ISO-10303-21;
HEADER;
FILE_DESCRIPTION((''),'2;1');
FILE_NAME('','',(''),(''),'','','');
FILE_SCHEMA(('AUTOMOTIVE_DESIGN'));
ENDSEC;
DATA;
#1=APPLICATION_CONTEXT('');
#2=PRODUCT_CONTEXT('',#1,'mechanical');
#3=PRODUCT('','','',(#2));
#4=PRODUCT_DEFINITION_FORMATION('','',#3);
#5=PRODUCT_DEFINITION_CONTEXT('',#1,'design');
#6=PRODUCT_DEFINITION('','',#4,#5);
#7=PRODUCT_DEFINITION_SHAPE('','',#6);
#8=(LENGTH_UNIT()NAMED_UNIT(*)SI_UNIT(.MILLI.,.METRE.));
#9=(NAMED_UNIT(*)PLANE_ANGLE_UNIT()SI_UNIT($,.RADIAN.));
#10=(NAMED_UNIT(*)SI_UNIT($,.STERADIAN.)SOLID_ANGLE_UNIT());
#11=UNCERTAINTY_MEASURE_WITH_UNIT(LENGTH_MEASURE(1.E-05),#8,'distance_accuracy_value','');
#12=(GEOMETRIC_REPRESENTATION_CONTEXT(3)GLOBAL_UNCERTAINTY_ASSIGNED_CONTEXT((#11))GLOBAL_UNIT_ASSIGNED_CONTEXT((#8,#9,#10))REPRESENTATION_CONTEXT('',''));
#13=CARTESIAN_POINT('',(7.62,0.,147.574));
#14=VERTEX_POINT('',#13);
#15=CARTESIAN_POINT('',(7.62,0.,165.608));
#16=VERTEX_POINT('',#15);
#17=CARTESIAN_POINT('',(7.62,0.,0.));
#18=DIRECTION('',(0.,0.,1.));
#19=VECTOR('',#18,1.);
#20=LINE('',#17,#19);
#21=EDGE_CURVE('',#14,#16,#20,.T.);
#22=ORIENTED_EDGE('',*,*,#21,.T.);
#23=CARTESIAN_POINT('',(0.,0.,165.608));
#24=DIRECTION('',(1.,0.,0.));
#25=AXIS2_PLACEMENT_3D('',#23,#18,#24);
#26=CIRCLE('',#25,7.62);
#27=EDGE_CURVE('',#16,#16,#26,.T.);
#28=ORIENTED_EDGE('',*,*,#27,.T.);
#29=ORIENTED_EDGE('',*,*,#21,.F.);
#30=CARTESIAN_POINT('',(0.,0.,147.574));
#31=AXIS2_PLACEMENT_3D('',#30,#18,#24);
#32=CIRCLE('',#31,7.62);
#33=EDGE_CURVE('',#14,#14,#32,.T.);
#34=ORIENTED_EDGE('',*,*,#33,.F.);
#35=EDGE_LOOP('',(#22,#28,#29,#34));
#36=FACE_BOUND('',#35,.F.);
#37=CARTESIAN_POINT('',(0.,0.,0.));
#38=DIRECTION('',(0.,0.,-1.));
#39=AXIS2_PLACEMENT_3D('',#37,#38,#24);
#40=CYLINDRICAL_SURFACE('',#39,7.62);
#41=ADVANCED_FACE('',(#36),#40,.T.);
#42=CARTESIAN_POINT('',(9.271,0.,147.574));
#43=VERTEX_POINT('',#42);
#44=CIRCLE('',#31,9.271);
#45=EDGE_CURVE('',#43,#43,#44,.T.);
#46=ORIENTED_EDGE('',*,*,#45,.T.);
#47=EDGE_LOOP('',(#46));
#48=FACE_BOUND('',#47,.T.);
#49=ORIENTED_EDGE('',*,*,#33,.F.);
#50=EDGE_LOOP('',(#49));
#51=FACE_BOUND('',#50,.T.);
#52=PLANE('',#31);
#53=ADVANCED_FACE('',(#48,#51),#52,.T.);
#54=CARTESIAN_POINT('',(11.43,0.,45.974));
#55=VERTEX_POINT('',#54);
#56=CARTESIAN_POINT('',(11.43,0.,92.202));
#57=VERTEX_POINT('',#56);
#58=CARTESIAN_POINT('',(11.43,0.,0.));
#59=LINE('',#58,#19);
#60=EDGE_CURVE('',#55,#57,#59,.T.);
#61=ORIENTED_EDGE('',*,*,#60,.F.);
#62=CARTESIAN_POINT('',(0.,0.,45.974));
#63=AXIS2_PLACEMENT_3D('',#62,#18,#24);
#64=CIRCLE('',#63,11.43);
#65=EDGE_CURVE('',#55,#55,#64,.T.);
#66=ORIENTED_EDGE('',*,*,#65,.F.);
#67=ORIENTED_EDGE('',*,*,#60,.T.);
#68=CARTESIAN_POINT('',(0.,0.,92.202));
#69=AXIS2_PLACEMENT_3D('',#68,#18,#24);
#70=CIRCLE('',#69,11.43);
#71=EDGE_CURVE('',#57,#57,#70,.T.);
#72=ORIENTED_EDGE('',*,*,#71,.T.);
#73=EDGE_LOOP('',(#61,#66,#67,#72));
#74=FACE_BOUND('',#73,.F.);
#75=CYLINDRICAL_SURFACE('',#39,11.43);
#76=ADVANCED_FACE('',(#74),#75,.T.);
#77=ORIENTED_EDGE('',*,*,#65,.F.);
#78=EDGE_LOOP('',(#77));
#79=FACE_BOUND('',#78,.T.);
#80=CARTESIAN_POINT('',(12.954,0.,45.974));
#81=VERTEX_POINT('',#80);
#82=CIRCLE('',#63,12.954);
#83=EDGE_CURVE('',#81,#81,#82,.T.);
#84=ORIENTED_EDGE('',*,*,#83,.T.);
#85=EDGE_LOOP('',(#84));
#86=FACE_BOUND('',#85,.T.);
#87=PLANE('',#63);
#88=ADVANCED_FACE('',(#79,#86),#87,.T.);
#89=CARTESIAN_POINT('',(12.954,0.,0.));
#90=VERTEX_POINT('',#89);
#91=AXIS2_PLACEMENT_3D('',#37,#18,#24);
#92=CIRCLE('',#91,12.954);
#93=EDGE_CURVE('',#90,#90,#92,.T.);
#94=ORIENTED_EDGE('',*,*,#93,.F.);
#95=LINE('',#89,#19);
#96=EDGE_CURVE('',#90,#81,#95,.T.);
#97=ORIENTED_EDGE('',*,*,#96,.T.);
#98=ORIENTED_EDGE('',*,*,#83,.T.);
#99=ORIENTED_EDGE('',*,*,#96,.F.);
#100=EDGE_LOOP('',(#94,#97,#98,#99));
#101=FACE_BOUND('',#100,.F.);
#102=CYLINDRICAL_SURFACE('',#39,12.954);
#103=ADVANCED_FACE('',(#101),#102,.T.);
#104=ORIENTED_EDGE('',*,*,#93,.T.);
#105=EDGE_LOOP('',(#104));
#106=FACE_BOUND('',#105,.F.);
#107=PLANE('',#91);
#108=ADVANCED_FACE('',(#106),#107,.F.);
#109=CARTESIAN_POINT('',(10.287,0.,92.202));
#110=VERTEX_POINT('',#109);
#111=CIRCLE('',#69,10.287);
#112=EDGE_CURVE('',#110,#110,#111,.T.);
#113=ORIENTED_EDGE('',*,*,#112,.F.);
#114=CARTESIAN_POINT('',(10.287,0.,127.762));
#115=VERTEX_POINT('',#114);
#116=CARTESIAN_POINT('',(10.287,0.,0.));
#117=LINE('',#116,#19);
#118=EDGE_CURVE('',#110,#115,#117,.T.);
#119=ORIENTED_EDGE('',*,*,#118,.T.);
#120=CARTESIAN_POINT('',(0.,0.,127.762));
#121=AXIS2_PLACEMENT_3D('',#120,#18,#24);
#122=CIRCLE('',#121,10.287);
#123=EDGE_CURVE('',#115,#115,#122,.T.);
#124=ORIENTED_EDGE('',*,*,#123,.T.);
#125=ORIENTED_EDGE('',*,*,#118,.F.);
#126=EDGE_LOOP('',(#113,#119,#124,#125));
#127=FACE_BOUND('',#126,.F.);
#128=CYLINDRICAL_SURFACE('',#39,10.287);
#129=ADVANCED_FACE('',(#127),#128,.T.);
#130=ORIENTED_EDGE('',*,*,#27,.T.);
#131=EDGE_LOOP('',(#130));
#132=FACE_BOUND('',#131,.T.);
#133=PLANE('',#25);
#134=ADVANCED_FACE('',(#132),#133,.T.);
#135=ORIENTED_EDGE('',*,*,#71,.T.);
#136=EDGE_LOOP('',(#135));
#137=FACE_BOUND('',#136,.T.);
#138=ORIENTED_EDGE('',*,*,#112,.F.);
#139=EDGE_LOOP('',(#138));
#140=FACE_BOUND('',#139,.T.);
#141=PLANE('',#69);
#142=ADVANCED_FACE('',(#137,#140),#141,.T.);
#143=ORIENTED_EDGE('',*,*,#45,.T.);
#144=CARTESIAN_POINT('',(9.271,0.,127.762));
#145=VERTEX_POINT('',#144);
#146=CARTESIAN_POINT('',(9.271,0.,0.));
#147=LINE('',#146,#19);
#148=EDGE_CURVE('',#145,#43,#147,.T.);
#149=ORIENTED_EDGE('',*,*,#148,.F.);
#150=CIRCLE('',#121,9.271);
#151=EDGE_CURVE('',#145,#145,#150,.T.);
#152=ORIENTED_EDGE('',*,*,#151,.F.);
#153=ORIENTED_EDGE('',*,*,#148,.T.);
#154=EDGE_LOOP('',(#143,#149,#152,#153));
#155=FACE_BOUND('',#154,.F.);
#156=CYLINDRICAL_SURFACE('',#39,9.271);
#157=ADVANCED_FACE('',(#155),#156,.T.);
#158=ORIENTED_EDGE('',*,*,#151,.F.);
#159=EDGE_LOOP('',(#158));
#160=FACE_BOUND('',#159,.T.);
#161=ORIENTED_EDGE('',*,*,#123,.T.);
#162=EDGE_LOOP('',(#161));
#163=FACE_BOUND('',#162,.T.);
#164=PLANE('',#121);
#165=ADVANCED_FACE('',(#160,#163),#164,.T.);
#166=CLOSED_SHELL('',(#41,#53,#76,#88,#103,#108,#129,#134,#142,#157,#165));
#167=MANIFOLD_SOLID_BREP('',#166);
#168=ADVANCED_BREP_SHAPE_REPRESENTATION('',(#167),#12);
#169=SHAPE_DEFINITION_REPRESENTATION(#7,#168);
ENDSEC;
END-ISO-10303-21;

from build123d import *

# Parameters (mm, degrees)
F0_R     = 12.954
F0_R_2   = 11.43
F1_DEPTH = 45.974
F0_R_3   = 10.287
F2_DEPTH = 92.202
F0_R_4   = 9.271
F3_DEPTH = 127.762
F0_R_5   = 7.62
F4_DEPTH = 147.574
F5_DEPTH = 165.608


with BuildPart() as f1:
    # F0 (on Top) → F1 (new body)
    with BuildSketch(Plane.XY):
        Circle(F0_R)
        Circle(F0_R_2, mode=Mode.SUBTRACT)
    extrude(amount=F1_DEPTH)

    # F0 (on Top) → F2 (join)
    with BuildSketch(Plane.XY):
        Circle(F0_R_2)
        Circle(F0_R_3, mode=Mode.SUBTRACT)
    extrude(amount=F2_DEPTH)

    # F0 (on Top) → F3 (join)
    with BuildSketch(Plane.XY):
        Circle(F0_R_3)
        Circle(F0_R_4, mode=Mode.SUBTRACT)
    extrude(amount=F3_DEPTH)

    # F0 (on Top) → F4 (join)
    with BuildSketch(Plane.XY):
        Circle(F0_R_4)
        Circle(F0_R_5, mode=Mode.SUBTRACT)
    extrude(amount=F4_DEPTH)

    # F0 (on Top) → F5 (join)
    with BuildSketch(Plane.XY):
        Circle(F0_R_5)
    extrude(amount=F5_DEPTH)


solid = f1.part
